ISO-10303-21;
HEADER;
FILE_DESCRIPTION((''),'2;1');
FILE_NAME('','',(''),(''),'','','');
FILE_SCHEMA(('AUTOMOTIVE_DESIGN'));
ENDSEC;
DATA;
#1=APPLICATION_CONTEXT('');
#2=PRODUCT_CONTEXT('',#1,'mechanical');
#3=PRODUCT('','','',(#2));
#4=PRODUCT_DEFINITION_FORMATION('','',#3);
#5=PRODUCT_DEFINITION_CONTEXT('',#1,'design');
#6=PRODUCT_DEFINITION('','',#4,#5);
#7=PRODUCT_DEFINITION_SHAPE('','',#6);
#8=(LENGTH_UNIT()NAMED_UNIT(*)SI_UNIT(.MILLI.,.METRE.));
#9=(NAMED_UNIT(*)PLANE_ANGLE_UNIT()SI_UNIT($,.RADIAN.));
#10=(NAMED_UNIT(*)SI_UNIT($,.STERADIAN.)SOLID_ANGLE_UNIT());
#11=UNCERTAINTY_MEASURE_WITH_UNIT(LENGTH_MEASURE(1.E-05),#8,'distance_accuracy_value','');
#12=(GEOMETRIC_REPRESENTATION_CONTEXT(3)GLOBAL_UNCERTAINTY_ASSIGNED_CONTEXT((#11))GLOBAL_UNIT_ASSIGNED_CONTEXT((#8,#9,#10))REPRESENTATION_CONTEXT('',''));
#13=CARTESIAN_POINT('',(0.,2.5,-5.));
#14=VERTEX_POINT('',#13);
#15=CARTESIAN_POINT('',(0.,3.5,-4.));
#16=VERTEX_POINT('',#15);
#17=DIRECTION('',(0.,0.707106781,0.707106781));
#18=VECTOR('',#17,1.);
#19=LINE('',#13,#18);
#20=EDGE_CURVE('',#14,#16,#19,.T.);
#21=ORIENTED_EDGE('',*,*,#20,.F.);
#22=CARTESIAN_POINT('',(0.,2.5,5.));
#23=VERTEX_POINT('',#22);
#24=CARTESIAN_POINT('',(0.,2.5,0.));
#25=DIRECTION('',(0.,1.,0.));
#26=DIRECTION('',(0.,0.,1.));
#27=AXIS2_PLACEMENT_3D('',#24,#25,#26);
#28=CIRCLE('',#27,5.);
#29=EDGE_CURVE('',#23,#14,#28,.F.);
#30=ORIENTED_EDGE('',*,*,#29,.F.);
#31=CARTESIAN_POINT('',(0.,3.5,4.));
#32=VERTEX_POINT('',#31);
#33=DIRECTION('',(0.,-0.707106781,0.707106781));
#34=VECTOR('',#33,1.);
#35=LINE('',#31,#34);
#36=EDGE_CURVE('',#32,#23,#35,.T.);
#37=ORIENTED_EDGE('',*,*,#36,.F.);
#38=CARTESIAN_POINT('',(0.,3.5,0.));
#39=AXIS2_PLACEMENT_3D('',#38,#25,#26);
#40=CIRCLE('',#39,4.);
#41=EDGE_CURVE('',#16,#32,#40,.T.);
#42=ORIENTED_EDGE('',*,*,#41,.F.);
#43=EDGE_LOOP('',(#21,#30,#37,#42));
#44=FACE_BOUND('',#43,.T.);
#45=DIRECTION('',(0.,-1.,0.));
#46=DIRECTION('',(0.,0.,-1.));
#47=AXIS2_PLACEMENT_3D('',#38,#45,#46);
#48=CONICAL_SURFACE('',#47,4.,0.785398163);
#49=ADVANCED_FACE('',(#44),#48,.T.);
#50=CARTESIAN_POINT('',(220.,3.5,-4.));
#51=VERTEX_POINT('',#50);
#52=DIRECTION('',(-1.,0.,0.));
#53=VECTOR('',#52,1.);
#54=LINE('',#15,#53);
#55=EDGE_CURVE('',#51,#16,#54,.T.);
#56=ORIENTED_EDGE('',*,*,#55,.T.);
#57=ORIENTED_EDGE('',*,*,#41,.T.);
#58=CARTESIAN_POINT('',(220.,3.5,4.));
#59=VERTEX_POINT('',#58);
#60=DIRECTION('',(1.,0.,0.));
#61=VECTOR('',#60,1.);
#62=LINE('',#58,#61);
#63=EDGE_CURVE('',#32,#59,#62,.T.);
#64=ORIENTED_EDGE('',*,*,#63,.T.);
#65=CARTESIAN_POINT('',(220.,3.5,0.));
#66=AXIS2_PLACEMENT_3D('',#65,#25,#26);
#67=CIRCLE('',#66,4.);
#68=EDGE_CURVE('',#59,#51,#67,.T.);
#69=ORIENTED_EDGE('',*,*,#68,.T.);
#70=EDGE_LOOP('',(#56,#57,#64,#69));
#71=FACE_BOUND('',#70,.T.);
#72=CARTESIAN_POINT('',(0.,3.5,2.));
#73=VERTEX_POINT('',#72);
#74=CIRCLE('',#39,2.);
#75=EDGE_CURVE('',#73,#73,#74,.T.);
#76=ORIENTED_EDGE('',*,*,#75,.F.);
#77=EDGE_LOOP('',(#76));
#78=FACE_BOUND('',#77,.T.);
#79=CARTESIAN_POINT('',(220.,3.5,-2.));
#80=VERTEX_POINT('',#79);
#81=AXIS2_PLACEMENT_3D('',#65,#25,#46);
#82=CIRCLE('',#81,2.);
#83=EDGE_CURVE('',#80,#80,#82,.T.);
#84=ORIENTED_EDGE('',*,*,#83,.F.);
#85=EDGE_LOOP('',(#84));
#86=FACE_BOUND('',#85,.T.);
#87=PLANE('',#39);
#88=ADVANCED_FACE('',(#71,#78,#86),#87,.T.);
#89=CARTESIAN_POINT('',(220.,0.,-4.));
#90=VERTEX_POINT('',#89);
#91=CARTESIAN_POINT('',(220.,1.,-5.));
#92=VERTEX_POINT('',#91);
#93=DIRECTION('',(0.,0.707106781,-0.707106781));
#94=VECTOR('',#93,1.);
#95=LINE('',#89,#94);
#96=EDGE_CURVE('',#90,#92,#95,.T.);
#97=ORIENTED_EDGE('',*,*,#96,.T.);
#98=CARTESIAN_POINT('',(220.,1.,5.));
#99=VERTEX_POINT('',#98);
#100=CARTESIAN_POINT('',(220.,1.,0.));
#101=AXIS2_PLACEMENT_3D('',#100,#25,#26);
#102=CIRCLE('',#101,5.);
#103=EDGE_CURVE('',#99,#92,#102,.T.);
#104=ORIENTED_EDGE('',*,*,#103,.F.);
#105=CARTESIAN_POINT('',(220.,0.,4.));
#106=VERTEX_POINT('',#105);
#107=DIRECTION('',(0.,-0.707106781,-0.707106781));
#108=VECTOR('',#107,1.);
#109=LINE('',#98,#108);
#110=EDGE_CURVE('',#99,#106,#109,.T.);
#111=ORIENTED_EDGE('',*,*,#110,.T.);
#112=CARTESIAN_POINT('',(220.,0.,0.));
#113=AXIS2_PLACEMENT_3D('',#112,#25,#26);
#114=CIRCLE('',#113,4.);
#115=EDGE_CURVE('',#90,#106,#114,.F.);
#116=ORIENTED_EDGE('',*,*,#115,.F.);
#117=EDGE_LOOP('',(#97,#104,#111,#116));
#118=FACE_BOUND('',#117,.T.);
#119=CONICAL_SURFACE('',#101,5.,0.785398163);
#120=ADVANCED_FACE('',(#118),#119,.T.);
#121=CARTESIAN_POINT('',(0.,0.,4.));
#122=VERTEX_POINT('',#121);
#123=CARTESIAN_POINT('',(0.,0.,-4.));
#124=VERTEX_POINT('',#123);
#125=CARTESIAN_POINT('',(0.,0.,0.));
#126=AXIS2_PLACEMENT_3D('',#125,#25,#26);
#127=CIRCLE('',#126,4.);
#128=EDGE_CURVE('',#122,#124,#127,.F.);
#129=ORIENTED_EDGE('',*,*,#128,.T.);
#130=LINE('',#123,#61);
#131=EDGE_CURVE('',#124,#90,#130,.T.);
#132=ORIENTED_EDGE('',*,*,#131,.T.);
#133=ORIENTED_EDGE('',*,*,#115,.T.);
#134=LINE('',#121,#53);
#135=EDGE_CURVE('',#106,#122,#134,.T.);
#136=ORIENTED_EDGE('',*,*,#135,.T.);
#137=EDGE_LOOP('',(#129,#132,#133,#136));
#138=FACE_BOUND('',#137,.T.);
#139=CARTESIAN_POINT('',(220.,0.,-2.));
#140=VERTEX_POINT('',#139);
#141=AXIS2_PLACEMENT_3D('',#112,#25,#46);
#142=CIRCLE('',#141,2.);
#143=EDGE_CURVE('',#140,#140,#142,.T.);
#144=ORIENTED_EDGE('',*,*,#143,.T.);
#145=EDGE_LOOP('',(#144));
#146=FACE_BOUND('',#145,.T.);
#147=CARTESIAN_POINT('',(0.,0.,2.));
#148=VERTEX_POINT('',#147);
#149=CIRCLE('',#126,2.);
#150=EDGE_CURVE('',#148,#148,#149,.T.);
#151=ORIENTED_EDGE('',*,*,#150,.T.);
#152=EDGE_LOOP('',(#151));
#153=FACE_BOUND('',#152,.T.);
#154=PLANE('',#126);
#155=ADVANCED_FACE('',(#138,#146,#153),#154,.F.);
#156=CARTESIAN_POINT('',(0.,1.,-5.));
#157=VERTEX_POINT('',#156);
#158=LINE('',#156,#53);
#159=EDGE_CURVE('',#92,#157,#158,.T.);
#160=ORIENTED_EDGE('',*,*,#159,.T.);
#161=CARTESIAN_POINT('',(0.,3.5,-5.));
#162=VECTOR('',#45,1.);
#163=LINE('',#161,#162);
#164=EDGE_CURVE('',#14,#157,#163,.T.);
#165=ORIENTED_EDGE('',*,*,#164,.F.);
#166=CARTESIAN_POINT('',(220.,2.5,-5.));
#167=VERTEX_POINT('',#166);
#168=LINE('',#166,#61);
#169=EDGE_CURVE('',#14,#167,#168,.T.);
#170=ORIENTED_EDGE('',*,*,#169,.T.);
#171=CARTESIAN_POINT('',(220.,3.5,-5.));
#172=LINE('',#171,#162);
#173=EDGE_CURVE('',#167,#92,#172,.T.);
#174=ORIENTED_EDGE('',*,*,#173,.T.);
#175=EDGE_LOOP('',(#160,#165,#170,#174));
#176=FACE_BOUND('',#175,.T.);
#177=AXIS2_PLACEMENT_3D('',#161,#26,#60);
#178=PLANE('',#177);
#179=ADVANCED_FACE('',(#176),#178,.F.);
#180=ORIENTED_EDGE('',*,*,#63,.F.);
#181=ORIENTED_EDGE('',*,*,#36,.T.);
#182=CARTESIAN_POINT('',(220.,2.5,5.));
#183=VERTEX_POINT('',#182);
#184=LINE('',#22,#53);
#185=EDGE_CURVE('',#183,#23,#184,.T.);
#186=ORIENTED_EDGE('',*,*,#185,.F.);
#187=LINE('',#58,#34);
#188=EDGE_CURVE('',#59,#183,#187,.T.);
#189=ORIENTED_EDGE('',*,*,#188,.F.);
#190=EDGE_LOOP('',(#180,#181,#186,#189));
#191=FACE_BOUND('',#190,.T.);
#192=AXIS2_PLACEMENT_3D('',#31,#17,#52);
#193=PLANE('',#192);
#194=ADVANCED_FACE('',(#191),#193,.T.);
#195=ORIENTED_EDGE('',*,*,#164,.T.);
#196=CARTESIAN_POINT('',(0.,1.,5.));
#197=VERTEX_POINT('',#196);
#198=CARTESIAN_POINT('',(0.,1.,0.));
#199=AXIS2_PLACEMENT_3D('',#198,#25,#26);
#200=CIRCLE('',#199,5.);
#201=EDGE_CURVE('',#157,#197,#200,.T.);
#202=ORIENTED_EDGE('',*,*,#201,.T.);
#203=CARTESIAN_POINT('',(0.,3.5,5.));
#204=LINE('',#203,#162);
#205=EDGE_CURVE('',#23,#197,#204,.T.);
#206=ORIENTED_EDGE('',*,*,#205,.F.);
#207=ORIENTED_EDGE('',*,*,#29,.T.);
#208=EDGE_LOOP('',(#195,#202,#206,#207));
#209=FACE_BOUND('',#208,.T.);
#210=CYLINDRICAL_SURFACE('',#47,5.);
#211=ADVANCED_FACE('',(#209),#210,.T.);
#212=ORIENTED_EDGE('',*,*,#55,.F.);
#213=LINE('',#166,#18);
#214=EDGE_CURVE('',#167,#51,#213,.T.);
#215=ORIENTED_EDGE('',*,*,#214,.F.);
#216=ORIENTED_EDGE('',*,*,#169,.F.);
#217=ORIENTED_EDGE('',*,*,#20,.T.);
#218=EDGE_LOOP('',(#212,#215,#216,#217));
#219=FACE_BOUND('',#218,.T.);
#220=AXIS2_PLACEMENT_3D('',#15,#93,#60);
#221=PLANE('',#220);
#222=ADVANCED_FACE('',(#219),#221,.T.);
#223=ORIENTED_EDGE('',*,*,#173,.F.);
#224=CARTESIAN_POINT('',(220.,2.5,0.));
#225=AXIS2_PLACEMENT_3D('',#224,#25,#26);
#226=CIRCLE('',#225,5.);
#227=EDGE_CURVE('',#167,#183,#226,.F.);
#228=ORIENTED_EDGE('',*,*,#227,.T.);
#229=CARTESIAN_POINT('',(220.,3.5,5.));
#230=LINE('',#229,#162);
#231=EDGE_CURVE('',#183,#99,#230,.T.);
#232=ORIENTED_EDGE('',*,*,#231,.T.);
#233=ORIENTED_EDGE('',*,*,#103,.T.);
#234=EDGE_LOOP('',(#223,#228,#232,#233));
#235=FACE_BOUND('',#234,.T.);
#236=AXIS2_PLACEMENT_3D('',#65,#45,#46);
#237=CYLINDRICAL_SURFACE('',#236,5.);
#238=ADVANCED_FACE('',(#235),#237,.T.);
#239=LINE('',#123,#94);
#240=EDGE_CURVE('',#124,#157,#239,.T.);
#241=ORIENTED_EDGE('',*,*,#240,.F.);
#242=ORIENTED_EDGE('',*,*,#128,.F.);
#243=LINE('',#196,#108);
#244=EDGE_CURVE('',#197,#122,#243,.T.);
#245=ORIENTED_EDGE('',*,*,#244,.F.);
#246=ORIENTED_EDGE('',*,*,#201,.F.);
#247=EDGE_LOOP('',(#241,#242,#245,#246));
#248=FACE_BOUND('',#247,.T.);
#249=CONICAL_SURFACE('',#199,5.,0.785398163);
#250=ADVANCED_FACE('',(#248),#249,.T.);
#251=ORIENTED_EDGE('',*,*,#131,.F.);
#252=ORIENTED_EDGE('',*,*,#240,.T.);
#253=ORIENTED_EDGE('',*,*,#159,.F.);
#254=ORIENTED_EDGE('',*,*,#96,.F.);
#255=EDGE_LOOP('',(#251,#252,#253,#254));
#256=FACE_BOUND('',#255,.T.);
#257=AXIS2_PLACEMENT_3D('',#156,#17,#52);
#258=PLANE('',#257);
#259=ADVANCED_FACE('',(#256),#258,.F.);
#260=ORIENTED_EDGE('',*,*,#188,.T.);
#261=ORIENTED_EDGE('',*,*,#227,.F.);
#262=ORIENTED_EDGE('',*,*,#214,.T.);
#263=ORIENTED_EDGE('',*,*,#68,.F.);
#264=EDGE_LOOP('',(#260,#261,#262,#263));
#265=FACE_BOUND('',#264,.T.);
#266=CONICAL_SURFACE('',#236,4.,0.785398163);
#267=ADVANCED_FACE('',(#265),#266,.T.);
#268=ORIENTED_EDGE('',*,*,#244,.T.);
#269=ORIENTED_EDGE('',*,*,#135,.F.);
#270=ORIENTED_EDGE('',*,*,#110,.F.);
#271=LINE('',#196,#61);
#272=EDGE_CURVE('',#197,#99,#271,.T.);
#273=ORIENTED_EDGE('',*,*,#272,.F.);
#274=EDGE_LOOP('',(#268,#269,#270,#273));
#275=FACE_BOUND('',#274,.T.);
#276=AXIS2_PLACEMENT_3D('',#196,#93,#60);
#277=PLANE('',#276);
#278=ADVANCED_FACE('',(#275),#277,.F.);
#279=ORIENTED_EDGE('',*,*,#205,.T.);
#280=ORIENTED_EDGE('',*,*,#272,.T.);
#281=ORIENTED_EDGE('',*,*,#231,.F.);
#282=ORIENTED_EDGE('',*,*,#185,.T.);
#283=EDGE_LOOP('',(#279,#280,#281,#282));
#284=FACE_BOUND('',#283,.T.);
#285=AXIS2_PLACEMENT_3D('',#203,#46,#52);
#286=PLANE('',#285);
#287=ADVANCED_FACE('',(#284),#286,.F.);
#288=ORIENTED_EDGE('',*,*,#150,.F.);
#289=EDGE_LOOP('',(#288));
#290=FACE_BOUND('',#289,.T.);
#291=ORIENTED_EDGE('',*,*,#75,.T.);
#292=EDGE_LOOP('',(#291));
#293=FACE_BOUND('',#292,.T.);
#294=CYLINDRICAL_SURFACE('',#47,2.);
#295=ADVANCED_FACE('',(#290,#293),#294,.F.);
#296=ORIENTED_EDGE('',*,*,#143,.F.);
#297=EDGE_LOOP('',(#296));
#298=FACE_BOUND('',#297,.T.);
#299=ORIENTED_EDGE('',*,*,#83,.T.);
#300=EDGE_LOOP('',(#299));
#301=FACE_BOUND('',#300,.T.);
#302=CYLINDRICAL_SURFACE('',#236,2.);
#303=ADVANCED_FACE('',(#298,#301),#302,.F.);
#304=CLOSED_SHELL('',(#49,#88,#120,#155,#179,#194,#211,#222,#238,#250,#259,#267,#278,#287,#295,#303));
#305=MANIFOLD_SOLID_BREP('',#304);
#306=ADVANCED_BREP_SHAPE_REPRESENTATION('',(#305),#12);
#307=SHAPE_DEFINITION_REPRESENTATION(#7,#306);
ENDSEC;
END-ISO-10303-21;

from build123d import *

# Parameters (mm, degrees)
SKETCH_1_R      = 2
EXTRUDE_1_DEPTH = 3.5
CHAMFER_1_SIZE  = 1


with BuildPart() as part:
    # 草图1 → 凸台-拉伸1 (new body)
    with BuildSketch(Plane(origin=(0, 0, 0), x_dir=(1, 0, 0), z_dir=(0, 1, 0))):
        with BuildLine():
            Line((0, 5), (220, 5))
            ThreePointArc((220, 5), (225, 0), (220, -5))
            Line((220, -5), (0, -5))
            ThreePointArc((0, -5), (-5, 0), (0, 5))
        make_face()
        with Locations(Location((0, 0, 0), (0, 0, 270))):
            Circle(SKETCH_1_R, mode=Mode.SUBTRACT)
        with Locations(Location((220, 0, 0), (0, 0, 90))):
            Circle(SKETCH_1_R, mode=Mode.SUBTRACT)
    extrude(amount=EXTRUDE_1_DEPTH)

    # 倒角1
    chamfer_1_edges = [part.edges().sort_by_distance(p)[0] for p in [
        (225, 3.5, 0),
        (110, 3.5, -5),
        (-5, 3.5, 0),
        (110, 0, -5),
        (225, 0, 0),
        (110, 0, 5),
        (-5, 0, 0),
        (110, 3.5, 5),
    ]]
    chamfer(chamfer_1_edges, length=CHAMFER_1_SIZE)


solid = part.part
